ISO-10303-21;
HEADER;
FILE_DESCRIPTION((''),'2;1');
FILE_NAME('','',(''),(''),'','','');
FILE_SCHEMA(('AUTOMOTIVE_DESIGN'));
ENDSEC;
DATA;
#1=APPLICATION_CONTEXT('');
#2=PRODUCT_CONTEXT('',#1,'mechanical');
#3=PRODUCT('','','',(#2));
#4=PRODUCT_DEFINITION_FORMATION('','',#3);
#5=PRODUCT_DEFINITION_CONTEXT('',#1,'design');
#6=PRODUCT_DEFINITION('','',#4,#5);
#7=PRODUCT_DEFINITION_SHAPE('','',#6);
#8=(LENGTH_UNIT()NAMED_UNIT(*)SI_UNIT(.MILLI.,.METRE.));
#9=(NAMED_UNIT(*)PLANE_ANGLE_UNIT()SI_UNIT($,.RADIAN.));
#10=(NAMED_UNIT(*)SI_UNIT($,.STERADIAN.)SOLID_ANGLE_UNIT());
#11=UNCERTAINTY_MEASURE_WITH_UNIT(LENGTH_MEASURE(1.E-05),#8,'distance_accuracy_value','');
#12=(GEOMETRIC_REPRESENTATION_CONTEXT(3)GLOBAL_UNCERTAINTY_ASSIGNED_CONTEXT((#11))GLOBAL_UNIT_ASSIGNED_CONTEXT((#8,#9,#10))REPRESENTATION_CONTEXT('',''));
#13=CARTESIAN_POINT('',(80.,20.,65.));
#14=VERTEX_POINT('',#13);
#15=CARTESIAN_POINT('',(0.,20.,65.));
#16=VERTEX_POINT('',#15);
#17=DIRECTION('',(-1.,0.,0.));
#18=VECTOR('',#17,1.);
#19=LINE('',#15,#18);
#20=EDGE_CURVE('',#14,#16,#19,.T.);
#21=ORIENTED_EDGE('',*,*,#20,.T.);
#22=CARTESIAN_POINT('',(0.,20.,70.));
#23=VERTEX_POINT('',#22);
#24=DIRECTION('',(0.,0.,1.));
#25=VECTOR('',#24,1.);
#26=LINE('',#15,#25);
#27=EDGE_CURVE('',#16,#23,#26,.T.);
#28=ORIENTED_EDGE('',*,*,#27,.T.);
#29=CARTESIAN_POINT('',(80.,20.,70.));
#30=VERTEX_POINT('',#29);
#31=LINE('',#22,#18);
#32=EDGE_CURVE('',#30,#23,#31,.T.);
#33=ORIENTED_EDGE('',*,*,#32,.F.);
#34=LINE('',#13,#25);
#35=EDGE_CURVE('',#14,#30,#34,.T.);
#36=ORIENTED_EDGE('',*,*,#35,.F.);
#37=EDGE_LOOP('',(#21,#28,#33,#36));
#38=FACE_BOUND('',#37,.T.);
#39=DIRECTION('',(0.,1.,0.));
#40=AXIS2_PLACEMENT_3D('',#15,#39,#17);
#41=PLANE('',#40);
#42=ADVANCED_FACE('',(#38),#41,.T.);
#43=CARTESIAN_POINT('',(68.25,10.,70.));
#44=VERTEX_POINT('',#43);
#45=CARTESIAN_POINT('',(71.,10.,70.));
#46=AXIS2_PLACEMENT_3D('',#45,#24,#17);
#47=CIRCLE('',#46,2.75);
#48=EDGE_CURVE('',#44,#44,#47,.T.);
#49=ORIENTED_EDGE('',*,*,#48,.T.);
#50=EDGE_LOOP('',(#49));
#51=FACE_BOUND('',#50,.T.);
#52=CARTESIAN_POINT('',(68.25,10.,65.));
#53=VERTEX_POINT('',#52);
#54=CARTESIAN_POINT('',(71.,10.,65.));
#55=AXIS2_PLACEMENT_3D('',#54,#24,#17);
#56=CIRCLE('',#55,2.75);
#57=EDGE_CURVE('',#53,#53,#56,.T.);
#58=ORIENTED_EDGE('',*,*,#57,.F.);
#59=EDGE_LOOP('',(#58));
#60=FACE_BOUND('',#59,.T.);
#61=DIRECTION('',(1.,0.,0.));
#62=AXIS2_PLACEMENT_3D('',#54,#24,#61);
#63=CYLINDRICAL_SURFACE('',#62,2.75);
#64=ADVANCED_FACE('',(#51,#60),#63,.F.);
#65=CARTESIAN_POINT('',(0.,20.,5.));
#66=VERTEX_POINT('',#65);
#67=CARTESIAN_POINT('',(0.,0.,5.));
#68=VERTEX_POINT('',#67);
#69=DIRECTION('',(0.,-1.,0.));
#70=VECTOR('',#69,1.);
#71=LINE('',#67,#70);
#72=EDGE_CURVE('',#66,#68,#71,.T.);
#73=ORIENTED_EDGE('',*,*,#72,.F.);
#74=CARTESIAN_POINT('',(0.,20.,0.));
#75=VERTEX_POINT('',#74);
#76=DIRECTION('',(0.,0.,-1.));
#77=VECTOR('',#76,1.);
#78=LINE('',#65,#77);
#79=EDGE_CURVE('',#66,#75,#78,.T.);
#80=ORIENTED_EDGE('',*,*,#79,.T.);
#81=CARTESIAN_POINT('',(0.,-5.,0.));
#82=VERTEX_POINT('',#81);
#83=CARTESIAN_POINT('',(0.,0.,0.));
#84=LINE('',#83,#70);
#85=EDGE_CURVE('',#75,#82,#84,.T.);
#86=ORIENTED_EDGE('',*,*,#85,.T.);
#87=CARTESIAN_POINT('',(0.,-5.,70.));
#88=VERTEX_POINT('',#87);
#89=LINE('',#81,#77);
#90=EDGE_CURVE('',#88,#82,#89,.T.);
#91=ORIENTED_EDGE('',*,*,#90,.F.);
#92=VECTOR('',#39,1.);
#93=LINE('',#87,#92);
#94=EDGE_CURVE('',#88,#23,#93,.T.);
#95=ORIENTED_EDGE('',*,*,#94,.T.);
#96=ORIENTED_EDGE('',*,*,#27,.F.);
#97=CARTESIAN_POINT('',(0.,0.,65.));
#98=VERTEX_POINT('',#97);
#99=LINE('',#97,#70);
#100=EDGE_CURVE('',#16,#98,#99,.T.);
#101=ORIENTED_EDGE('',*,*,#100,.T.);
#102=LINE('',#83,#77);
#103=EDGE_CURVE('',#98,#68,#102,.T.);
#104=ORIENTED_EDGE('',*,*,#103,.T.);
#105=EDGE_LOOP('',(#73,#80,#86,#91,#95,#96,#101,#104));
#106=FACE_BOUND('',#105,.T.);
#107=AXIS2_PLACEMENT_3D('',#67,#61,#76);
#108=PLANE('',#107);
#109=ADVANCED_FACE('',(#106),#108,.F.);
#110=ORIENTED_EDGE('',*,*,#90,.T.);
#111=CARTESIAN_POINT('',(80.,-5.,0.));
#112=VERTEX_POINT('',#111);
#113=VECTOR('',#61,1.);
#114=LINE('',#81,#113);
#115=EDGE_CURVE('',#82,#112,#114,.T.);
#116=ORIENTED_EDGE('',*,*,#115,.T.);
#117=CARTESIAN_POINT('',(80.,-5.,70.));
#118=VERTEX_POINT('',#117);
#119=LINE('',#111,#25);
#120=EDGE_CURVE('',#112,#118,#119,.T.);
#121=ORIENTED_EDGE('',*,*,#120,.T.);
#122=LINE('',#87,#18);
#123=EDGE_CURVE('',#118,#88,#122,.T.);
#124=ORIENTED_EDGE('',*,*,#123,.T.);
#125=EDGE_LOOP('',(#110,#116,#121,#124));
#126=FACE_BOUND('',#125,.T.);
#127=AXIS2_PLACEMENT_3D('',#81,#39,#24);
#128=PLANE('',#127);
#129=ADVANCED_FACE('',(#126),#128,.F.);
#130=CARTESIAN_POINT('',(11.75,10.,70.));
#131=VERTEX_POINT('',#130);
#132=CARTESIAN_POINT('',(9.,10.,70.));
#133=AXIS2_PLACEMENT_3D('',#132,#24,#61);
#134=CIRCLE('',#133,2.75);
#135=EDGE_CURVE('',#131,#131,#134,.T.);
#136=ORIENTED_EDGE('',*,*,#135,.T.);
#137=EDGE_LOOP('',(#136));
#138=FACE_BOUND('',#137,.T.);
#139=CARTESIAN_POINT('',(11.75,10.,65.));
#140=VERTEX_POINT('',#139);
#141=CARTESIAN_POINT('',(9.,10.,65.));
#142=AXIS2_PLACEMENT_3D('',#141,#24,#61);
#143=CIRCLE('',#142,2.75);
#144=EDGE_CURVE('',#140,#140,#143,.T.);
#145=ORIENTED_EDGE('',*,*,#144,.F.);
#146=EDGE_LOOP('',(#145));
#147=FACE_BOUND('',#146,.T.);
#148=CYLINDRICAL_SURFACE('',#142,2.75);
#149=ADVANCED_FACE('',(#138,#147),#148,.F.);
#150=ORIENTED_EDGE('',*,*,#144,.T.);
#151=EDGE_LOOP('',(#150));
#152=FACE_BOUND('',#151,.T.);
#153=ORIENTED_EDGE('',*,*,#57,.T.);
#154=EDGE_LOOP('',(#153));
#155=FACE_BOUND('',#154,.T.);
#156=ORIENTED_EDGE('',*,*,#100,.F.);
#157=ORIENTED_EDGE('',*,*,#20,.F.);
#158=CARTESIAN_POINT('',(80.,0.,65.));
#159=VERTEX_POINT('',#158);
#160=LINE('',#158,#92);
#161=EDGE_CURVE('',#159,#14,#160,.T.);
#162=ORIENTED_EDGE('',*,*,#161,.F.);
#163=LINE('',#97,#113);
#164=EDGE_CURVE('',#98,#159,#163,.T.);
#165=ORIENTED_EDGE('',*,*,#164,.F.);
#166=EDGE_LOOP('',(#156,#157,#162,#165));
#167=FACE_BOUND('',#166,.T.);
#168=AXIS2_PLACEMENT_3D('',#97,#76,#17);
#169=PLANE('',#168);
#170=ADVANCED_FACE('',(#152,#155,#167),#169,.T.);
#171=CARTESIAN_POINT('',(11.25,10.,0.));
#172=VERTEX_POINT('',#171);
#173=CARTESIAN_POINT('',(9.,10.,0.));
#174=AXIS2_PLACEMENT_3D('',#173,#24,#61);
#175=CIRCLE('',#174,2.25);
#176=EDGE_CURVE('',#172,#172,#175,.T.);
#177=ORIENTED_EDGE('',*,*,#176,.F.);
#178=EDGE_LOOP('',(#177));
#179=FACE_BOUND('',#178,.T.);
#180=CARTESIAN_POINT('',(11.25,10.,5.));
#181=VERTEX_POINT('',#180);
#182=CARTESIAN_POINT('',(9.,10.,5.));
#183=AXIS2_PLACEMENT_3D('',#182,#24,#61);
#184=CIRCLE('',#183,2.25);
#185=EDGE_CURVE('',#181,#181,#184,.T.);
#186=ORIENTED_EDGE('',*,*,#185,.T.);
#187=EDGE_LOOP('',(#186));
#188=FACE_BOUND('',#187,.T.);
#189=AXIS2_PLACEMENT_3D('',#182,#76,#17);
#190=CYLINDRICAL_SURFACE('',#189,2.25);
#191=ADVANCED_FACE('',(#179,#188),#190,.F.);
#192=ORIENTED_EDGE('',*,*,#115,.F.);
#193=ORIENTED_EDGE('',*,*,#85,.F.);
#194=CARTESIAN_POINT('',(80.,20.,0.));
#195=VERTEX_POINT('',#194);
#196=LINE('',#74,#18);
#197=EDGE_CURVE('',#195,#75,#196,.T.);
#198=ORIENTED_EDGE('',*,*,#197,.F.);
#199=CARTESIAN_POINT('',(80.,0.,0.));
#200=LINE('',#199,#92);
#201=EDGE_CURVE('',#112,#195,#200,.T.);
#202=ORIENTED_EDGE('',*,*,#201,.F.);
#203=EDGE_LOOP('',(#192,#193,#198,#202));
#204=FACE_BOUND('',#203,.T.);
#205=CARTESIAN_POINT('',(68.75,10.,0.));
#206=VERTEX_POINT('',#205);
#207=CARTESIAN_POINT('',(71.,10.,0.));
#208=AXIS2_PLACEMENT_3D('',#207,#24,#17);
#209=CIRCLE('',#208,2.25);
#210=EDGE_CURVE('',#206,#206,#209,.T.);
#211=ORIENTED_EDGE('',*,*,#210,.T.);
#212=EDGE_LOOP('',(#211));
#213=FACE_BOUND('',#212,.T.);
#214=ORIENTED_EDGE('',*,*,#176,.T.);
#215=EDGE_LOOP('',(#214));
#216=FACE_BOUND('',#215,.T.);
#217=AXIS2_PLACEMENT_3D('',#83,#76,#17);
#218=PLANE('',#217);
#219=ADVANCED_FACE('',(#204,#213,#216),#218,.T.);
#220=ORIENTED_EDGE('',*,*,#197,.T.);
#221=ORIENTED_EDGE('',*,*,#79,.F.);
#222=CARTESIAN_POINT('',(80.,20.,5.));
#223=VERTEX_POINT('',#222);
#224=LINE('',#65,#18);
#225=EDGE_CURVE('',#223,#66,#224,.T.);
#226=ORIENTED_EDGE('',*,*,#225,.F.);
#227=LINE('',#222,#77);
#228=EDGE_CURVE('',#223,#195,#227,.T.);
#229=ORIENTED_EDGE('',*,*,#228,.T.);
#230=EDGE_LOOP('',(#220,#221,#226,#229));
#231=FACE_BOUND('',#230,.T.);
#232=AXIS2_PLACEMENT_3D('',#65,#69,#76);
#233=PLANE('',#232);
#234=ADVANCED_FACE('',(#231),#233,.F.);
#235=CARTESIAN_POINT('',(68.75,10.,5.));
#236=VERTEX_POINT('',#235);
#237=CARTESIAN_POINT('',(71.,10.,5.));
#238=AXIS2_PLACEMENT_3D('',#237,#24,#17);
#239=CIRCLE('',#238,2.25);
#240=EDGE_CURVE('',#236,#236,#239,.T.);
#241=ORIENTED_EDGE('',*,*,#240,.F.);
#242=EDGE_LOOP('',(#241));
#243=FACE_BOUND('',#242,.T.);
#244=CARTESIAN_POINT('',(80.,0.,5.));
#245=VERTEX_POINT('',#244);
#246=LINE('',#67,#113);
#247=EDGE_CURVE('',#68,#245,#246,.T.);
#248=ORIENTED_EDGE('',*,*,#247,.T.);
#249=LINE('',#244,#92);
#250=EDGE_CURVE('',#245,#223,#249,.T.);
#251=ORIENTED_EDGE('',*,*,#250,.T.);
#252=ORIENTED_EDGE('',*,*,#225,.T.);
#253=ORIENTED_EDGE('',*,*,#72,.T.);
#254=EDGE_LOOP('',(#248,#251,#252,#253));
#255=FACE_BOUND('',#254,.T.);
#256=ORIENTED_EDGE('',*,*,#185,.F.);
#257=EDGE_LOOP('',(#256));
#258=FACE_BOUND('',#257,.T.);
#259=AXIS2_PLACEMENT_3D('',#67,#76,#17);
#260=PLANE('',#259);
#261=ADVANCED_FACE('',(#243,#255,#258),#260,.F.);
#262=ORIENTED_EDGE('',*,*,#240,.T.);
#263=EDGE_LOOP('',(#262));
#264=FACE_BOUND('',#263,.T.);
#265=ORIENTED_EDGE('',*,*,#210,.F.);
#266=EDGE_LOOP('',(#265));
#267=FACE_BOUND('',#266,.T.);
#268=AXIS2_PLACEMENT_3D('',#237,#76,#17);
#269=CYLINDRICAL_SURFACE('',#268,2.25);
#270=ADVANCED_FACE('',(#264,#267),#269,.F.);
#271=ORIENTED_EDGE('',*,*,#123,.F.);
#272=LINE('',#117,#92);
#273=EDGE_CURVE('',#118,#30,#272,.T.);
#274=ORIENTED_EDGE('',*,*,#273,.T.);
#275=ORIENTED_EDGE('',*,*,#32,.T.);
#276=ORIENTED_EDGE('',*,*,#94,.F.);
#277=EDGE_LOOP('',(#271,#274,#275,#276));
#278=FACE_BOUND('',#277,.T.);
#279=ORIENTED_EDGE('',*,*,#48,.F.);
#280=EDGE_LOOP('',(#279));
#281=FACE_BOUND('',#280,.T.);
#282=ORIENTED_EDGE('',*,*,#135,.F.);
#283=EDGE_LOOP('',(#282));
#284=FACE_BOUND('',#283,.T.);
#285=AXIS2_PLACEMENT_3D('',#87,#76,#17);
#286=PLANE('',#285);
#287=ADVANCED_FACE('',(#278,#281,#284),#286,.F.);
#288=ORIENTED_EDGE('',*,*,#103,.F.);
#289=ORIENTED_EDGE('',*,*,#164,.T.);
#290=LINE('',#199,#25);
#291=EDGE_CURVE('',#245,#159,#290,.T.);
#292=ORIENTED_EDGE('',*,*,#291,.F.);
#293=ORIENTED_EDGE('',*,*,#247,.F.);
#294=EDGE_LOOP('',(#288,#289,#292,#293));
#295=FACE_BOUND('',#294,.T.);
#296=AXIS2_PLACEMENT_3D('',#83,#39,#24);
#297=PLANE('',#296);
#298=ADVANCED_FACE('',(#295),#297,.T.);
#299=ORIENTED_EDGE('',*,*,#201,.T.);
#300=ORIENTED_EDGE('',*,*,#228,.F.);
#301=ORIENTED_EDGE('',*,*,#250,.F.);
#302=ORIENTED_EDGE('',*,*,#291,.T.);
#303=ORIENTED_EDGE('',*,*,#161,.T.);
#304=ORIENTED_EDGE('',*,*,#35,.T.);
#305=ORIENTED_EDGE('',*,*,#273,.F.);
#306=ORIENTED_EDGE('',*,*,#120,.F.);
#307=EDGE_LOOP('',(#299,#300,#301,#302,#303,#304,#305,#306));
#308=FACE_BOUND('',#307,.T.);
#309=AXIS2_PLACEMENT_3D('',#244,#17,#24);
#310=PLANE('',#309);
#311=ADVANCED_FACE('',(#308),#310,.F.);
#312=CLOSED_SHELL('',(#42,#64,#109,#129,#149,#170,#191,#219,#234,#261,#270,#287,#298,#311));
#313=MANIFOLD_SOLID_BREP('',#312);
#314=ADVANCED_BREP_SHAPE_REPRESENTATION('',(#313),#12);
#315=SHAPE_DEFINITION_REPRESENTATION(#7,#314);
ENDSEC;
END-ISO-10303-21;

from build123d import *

# Parameters (mm, degrees)
SKETCH1_W           = 80
SKETCH1_H           = 20
SKETCH1_R           = 2.25
BOSS_EXTRUDE1_DEPTH = 5
SKETCH2_W           = 80
SKETCH2_H           = 70
BOSS_EXTRUDE2_DEPTH = 5
SKETCH3_W           = 80
SKETCH3_H           = 20
SKETCH3_R           = 2.75
BOSS_EXTRUDE3_DEPTH = 5


with BuildPart() as part:
    # Sketch1 → Boss-Extrude1 (new body)
    with BuildSketch(Plane.XY):
        with Locations((40, 10)):
            Rectangle(SKETCH1_W, SKETCH1_H)
        with Locations((9, 10)):
            Circle(SKETCH1_R, mode=Mode.SUBTRACT)
        with Locations(Location((71, 10, 0), (0, 0, 180))):
            Circle(SKETCH1_R, mode=Mode.SUBTRACT)
    extrude(amount=BOSS_EXTRUDE1_DEPTH)

    # Sketch2 → Boss-Extrude2 (add)
    with BuildSketch(Plane.XZ):
        with Locations((40, 35)):
            Rectangle(SKETCH2_W, SKETCH2_H)
    extrude(amount=BOSS_EXTRUDE2_DEPTH)

    # Sketch3 → Boss-Extrude3 (add)
    with BuildSketch(Plane.XY.offset(70)):
        with Locations((40, 10)):
            Rectangle(SKETCH3_W, SKETCH3_H)
        with Locations((9, 10)):
            Circle(SKETCH3_R, mode=Mode.SUBTRACT)
        with Locations(Location((71, 10, 0), (0, 0, 180))):
            Circle(SKETCH3_R, mode=Mode.SUBTRACT)
    extrude(amount=-BOSS_EXTRUDE3_DEPTH)


solid = part.part
